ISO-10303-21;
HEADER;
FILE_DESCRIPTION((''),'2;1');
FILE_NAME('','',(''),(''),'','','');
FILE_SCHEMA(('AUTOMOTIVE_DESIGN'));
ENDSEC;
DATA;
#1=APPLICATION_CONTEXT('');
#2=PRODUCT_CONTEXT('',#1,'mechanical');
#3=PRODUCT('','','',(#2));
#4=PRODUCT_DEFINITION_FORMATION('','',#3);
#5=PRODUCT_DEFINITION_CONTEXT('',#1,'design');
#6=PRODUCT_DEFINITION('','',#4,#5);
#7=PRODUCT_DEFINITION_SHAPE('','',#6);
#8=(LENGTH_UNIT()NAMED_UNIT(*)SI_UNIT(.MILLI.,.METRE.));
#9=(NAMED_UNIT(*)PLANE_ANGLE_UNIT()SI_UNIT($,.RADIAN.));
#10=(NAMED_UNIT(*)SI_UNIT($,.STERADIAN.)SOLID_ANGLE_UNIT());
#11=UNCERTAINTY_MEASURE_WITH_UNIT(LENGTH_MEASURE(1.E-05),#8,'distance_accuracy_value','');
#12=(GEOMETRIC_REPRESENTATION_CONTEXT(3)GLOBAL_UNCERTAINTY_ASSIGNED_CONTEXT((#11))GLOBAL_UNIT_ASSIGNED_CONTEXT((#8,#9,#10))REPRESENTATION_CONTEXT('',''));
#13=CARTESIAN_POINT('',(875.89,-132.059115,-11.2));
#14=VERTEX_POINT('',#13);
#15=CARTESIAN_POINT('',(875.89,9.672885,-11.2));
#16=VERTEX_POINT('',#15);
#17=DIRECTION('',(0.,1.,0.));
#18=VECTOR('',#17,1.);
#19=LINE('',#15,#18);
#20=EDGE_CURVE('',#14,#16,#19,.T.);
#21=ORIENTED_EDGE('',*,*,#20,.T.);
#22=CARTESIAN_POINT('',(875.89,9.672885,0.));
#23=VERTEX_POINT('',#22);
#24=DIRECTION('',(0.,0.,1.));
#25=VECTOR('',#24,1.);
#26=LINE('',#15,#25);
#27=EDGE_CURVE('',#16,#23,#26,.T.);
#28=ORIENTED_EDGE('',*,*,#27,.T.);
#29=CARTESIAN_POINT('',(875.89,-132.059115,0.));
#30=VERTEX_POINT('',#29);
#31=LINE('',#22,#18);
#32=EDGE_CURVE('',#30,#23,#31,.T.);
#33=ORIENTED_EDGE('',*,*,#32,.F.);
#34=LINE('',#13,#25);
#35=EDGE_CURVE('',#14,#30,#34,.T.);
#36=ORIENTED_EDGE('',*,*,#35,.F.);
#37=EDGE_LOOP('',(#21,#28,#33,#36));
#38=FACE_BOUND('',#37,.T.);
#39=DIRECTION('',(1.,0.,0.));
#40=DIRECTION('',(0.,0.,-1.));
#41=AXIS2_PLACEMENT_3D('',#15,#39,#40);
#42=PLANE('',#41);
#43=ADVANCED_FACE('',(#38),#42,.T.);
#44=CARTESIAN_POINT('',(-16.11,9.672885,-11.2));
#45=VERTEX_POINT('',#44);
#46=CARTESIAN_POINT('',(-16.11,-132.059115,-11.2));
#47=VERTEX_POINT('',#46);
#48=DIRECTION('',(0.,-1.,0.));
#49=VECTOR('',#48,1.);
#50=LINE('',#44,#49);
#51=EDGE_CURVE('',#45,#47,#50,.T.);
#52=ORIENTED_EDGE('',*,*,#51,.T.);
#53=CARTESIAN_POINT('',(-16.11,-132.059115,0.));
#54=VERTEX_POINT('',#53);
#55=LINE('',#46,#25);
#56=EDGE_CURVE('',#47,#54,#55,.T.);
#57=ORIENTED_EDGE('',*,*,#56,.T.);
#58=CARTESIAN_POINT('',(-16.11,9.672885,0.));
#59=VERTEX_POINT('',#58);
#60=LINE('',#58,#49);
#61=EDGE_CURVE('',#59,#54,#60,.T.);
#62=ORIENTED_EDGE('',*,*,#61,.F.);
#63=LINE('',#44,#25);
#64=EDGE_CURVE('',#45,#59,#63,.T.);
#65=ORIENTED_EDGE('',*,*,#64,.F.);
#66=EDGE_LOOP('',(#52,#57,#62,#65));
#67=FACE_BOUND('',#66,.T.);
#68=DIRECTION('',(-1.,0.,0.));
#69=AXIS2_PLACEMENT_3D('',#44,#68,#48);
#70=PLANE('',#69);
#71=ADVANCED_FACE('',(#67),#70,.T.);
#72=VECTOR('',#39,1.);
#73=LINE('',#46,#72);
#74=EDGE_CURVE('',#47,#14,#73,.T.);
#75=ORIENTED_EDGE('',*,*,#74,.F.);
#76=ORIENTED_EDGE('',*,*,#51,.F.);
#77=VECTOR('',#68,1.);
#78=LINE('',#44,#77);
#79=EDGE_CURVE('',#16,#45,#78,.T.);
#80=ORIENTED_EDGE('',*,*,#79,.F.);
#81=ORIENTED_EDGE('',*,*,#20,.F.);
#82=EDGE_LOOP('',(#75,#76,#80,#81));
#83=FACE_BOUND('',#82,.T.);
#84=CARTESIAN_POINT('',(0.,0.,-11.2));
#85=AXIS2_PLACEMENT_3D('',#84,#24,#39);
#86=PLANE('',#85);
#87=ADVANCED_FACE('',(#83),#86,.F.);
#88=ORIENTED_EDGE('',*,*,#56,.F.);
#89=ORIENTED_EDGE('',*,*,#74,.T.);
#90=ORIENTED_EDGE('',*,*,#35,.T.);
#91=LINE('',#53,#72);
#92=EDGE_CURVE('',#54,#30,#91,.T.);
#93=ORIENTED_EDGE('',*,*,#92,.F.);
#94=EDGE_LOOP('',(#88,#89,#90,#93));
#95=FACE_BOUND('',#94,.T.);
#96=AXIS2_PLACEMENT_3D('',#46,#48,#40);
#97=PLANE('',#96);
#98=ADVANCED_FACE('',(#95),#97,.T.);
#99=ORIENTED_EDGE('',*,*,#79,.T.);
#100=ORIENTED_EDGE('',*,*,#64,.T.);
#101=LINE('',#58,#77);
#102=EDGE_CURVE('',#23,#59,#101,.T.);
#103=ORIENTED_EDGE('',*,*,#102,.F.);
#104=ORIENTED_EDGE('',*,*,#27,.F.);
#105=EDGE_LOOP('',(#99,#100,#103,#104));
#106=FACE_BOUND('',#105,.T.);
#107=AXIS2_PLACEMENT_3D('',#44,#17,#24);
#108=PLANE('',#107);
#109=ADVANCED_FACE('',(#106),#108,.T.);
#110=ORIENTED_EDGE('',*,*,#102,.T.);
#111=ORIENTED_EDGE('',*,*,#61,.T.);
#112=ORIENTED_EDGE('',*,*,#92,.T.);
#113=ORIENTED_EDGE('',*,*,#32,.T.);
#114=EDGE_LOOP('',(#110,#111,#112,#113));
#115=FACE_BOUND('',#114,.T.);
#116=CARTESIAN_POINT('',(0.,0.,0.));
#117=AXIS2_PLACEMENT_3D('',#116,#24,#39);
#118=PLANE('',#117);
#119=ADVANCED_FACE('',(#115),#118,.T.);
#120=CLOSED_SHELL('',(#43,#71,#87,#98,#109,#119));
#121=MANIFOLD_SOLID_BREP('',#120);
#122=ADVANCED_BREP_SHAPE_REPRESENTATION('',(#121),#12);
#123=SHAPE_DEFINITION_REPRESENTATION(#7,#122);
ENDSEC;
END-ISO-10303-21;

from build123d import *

# Parameters (mm, degrees)
SKETCH1_W           = 892
SKETCH1_H           = 141.732
BOSS_EXTRUDE1_DEPTH = 11.2


with BuildPart() as part:
    # Sketch1 → Boss-Extrude1 (new body)
    with BuildSketch(Plane.XY):
        with Locations((429.89, -61.193115385)):
            Rectangle(SKETCH1_W, SKETCH1_H)
    extrude(amount=-BOSS_EXTRUDE1_DEPTH)


solid = part.part
